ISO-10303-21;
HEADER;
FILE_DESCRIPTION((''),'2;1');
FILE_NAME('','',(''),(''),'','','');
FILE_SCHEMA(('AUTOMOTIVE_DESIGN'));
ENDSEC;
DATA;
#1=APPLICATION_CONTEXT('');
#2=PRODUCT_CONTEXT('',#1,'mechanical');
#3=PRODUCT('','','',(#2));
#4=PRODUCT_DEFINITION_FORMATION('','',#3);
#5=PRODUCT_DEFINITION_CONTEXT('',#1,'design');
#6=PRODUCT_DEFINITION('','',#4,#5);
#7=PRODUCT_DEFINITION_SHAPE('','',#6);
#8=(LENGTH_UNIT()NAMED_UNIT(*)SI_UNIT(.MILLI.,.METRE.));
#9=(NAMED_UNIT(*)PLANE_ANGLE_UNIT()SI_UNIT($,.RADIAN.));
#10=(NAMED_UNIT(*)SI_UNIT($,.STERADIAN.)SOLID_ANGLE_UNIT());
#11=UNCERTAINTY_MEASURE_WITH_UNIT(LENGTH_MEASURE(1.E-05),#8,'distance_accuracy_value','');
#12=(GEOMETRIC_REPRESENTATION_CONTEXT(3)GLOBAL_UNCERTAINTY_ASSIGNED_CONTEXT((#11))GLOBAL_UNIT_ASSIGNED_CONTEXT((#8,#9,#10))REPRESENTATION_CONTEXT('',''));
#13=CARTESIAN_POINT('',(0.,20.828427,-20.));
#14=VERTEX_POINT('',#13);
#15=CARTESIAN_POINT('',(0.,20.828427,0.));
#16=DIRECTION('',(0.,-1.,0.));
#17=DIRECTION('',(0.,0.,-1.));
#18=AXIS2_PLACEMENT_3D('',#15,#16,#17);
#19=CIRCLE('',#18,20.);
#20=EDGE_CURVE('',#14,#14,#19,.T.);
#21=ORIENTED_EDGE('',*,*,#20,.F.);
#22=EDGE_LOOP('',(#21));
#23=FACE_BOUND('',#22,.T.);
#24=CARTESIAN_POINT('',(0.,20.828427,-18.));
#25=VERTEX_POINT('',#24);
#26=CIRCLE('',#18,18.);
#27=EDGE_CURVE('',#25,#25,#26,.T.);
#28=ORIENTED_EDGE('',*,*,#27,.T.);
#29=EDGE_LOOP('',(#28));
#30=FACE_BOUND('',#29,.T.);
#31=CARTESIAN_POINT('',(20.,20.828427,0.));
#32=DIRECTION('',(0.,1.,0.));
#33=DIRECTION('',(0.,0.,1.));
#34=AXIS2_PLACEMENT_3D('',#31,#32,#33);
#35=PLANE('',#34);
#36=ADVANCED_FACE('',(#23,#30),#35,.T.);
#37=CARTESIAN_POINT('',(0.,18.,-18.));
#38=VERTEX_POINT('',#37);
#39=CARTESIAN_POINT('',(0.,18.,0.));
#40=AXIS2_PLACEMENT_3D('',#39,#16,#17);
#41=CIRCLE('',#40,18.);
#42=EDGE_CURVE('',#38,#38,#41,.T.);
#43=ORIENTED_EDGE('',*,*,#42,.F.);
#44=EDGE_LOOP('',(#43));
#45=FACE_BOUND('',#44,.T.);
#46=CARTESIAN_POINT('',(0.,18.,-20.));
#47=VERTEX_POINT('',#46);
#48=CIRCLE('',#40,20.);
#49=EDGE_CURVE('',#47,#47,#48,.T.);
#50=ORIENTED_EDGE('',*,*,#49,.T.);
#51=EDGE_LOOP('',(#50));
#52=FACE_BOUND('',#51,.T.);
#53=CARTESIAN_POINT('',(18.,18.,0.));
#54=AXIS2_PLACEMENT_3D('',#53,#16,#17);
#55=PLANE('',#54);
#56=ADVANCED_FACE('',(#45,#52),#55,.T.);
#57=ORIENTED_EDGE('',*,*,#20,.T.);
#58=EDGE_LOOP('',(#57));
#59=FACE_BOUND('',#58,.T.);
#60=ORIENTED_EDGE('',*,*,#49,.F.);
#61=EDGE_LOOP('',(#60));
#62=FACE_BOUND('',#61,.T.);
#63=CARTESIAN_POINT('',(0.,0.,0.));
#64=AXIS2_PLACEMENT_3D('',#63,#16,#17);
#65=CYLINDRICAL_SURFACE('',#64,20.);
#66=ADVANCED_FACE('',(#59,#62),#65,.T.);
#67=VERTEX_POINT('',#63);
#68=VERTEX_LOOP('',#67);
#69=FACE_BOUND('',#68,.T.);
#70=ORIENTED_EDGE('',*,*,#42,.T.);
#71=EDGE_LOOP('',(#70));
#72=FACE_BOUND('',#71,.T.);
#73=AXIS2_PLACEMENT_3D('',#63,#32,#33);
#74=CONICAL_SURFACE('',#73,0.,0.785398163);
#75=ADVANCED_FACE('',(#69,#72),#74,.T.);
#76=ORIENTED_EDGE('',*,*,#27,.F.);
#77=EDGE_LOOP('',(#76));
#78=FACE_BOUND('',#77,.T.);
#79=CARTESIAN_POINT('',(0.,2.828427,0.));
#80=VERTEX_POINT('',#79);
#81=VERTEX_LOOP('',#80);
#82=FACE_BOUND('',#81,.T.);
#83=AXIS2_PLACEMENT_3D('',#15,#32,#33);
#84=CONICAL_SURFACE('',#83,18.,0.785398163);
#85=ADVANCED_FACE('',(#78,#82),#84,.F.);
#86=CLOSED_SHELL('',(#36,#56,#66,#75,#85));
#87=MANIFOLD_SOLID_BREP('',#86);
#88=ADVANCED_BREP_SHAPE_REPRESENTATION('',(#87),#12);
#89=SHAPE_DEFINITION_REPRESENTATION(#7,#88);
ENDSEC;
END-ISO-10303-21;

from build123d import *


with BuildPart() as part:
    # Sketch1 → Revolve1 (revolve)
    with BuildSketch(Plane.XY, mode=Mode.PRIVATE) as revolve1_sk:
        Polygon((0, 0), (18, 18), (20, 18), (20, 20.828427125), (18, 20.828427125), (0, 2.828427125), align=None)
    revolve(revolve1_sk.sketch.rotate(Axis((0, 0, 0), (0, 1, 0)), 270), axis=Axis((0, 0, 0), (0, 1, 0)))


solid = part.part
